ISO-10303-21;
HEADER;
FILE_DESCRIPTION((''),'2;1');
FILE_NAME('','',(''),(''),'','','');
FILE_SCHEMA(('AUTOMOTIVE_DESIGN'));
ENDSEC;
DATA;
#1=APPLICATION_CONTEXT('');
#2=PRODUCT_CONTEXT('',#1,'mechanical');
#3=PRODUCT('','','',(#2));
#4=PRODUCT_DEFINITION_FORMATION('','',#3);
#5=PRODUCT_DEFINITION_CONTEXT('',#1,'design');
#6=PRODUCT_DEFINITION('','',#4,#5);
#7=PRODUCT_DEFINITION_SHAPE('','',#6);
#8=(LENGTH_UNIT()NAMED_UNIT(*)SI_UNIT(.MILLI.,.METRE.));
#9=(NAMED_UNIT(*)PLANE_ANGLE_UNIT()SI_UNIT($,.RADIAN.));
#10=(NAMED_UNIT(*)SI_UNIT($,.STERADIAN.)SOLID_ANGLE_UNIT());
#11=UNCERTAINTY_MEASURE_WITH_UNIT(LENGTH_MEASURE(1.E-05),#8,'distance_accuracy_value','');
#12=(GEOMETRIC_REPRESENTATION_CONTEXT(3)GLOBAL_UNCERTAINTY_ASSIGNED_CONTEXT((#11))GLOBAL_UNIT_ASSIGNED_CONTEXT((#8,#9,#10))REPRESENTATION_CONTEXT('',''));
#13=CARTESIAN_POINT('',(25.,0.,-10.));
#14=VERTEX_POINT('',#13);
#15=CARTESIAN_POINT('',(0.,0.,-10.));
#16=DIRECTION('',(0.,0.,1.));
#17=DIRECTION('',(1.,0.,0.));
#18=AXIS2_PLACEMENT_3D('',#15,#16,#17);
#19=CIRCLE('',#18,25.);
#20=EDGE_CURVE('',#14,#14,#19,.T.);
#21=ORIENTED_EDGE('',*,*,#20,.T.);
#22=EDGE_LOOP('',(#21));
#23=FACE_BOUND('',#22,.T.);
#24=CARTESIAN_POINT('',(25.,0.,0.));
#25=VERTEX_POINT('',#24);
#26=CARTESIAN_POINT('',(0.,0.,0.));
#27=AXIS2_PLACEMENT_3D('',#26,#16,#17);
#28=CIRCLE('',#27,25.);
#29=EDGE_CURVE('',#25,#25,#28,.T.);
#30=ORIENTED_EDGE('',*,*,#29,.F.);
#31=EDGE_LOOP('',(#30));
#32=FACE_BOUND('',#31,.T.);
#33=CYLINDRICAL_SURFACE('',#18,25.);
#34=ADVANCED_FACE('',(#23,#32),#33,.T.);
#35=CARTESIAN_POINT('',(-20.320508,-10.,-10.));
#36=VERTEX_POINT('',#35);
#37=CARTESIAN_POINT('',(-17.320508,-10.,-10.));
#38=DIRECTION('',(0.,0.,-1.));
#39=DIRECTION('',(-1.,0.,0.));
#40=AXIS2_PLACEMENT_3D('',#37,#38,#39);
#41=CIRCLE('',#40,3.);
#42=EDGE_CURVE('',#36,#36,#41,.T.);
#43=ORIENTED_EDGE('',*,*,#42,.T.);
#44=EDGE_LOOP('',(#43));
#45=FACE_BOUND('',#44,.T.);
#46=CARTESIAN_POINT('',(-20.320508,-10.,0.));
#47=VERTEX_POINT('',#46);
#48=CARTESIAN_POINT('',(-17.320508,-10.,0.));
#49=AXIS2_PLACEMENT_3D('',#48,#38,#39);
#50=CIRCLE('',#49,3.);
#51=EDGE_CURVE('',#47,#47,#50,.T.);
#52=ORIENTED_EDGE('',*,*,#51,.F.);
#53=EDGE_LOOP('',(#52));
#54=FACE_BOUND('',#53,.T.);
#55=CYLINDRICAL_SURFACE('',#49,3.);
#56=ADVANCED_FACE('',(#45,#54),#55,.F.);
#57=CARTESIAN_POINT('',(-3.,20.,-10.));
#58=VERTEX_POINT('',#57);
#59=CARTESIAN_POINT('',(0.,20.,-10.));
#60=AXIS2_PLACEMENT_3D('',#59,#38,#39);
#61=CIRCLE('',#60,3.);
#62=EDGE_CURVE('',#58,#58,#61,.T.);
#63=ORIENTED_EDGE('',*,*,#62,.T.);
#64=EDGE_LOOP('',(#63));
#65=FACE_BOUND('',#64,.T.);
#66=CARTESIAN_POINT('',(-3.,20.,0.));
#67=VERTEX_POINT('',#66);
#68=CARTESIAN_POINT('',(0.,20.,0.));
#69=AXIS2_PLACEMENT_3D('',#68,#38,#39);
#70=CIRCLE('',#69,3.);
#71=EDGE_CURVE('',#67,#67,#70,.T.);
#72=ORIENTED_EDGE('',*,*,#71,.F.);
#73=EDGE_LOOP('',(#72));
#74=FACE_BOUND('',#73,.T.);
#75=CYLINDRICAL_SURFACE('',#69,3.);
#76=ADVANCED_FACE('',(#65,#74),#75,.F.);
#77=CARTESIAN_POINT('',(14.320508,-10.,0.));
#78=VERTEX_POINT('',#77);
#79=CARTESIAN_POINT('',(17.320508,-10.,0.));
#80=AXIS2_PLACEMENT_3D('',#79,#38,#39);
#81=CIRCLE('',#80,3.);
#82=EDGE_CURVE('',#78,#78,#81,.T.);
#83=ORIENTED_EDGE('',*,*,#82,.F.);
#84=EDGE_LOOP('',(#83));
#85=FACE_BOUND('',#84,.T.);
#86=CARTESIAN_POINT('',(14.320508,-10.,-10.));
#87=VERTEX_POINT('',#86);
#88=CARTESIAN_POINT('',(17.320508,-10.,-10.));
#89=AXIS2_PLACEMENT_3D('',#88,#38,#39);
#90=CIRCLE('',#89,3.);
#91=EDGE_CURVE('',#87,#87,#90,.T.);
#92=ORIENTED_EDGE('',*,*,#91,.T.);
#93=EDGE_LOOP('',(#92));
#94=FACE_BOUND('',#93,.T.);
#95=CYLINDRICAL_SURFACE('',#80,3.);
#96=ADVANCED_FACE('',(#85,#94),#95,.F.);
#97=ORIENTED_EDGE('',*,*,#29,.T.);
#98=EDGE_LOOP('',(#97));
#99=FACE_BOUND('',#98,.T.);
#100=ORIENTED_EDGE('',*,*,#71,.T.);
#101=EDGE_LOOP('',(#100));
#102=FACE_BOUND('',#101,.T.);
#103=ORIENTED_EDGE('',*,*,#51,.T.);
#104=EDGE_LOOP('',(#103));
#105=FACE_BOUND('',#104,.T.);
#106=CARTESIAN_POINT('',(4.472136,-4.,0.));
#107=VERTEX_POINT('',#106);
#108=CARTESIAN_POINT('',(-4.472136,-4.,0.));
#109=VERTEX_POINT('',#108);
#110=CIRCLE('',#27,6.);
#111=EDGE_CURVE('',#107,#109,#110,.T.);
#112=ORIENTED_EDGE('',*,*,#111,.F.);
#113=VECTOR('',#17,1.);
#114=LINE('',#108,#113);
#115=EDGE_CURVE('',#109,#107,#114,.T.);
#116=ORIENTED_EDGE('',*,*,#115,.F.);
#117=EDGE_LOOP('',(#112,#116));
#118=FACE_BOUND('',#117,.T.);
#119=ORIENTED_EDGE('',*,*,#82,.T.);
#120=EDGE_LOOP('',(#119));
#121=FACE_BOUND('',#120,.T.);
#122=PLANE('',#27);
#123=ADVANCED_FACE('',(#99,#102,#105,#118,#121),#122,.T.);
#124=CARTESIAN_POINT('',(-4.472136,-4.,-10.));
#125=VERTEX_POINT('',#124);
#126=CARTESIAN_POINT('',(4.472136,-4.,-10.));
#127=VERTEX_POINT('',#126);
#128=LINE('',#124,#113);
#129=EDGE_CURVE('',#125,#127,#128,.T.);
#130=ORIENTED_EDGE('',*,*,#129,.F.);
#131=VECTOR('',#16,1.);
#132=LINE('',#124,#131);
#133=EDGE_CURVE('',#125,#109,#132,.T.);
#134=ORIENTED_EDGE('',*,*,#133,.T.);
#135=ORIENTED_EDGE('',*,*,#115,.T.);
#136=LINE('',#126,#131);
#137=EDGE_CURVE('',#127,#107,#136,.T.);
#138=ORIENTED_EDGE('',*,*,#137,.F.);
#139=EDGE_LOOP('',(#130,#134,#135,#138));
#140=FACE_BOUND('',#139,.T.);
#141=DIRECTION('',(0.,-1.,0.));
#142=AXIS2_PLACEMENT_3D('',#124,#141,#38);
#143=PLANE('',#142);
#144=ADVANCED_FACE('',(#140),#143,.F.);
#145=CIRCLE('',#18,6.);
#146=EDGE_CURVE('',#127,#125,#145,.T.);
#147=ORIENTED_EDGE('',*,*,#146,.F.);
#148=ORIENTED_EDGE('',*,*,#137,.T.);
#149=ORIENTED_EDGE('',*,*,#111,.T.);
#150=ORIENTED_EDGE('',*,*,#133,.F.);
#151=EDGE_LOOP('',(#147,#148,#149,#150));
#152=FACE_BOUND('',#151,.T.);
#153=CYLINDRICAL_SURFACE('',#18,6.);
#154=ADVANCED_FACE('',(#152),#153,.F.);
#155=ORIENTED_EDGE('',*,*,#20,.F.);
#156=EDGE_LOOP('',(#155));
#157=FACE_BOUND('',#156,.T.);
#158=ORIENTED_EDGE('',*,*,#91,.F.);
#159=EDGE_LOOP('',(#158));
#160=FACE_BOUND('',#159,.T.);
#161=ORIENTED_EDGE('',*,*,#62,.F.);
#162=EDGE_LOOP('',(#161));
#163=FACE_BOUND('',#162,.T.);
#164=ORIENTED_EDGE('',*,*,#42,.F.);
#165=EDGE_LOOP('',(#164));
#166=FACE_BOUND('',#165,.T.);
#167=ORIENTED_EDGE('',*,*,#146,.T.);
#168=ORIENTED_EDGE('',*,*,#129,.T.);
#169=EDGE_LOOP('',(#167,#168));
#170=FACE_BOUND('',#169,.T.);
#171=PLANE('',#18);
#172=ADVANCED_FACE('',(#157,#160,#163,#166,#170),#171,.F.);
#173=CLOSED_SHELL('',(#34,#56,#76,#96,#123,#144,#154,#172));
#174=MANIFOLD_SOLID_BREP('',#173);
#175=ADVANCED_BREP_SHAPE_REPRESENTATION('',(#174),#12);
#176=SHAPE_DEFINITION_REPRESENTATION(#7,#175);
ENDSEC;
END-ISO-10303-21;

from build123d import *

# Parameters (mm, degrees)
SKETCH1_R           = 25
BOSS_EXTRUDE1_DEPTH = 10
SKETCH2_R           = 3
CUT_EXTRUDE1_DEPTH  = 11


with BuildPart() as part:
    # Sketch1 → Boss-Extrude1 (new body)
    with BuildSketch(Plane.XY):
        Circle(SKETCH1_R)
        with BuildLine():
            Line((-4.472135955, -4), (4.472135955, -4))
            ThreePointArc((4.472135955, -4), (0, 6), (-4.472135955, -4))
        make_face(mode=Mode.SUBTRACT)
    extrude(amount=-BOSS_EXTRUDE1_DEPTH)

    # Sketch2 → Cut-Extrude1 (cut, through all)
    with BuildSketch(Plane(origin=(0, 0, -10), x_dir=(-1, 0, 0), z_dir=(0, 0, -1))):
        with Locations((0, 20)):
            Circle(SKETCH2_R)
        with Locations((17.320508076, -10)):
            Circle(SKETCH2_R)
        with Locations((-17.320508076, -10)):
            Circle(SKETCH2_R)
    extrude(amount=-CUT_EXTRUDE1_DEPTH, mode=Mode.SUBTRACT)


solid = part.part
